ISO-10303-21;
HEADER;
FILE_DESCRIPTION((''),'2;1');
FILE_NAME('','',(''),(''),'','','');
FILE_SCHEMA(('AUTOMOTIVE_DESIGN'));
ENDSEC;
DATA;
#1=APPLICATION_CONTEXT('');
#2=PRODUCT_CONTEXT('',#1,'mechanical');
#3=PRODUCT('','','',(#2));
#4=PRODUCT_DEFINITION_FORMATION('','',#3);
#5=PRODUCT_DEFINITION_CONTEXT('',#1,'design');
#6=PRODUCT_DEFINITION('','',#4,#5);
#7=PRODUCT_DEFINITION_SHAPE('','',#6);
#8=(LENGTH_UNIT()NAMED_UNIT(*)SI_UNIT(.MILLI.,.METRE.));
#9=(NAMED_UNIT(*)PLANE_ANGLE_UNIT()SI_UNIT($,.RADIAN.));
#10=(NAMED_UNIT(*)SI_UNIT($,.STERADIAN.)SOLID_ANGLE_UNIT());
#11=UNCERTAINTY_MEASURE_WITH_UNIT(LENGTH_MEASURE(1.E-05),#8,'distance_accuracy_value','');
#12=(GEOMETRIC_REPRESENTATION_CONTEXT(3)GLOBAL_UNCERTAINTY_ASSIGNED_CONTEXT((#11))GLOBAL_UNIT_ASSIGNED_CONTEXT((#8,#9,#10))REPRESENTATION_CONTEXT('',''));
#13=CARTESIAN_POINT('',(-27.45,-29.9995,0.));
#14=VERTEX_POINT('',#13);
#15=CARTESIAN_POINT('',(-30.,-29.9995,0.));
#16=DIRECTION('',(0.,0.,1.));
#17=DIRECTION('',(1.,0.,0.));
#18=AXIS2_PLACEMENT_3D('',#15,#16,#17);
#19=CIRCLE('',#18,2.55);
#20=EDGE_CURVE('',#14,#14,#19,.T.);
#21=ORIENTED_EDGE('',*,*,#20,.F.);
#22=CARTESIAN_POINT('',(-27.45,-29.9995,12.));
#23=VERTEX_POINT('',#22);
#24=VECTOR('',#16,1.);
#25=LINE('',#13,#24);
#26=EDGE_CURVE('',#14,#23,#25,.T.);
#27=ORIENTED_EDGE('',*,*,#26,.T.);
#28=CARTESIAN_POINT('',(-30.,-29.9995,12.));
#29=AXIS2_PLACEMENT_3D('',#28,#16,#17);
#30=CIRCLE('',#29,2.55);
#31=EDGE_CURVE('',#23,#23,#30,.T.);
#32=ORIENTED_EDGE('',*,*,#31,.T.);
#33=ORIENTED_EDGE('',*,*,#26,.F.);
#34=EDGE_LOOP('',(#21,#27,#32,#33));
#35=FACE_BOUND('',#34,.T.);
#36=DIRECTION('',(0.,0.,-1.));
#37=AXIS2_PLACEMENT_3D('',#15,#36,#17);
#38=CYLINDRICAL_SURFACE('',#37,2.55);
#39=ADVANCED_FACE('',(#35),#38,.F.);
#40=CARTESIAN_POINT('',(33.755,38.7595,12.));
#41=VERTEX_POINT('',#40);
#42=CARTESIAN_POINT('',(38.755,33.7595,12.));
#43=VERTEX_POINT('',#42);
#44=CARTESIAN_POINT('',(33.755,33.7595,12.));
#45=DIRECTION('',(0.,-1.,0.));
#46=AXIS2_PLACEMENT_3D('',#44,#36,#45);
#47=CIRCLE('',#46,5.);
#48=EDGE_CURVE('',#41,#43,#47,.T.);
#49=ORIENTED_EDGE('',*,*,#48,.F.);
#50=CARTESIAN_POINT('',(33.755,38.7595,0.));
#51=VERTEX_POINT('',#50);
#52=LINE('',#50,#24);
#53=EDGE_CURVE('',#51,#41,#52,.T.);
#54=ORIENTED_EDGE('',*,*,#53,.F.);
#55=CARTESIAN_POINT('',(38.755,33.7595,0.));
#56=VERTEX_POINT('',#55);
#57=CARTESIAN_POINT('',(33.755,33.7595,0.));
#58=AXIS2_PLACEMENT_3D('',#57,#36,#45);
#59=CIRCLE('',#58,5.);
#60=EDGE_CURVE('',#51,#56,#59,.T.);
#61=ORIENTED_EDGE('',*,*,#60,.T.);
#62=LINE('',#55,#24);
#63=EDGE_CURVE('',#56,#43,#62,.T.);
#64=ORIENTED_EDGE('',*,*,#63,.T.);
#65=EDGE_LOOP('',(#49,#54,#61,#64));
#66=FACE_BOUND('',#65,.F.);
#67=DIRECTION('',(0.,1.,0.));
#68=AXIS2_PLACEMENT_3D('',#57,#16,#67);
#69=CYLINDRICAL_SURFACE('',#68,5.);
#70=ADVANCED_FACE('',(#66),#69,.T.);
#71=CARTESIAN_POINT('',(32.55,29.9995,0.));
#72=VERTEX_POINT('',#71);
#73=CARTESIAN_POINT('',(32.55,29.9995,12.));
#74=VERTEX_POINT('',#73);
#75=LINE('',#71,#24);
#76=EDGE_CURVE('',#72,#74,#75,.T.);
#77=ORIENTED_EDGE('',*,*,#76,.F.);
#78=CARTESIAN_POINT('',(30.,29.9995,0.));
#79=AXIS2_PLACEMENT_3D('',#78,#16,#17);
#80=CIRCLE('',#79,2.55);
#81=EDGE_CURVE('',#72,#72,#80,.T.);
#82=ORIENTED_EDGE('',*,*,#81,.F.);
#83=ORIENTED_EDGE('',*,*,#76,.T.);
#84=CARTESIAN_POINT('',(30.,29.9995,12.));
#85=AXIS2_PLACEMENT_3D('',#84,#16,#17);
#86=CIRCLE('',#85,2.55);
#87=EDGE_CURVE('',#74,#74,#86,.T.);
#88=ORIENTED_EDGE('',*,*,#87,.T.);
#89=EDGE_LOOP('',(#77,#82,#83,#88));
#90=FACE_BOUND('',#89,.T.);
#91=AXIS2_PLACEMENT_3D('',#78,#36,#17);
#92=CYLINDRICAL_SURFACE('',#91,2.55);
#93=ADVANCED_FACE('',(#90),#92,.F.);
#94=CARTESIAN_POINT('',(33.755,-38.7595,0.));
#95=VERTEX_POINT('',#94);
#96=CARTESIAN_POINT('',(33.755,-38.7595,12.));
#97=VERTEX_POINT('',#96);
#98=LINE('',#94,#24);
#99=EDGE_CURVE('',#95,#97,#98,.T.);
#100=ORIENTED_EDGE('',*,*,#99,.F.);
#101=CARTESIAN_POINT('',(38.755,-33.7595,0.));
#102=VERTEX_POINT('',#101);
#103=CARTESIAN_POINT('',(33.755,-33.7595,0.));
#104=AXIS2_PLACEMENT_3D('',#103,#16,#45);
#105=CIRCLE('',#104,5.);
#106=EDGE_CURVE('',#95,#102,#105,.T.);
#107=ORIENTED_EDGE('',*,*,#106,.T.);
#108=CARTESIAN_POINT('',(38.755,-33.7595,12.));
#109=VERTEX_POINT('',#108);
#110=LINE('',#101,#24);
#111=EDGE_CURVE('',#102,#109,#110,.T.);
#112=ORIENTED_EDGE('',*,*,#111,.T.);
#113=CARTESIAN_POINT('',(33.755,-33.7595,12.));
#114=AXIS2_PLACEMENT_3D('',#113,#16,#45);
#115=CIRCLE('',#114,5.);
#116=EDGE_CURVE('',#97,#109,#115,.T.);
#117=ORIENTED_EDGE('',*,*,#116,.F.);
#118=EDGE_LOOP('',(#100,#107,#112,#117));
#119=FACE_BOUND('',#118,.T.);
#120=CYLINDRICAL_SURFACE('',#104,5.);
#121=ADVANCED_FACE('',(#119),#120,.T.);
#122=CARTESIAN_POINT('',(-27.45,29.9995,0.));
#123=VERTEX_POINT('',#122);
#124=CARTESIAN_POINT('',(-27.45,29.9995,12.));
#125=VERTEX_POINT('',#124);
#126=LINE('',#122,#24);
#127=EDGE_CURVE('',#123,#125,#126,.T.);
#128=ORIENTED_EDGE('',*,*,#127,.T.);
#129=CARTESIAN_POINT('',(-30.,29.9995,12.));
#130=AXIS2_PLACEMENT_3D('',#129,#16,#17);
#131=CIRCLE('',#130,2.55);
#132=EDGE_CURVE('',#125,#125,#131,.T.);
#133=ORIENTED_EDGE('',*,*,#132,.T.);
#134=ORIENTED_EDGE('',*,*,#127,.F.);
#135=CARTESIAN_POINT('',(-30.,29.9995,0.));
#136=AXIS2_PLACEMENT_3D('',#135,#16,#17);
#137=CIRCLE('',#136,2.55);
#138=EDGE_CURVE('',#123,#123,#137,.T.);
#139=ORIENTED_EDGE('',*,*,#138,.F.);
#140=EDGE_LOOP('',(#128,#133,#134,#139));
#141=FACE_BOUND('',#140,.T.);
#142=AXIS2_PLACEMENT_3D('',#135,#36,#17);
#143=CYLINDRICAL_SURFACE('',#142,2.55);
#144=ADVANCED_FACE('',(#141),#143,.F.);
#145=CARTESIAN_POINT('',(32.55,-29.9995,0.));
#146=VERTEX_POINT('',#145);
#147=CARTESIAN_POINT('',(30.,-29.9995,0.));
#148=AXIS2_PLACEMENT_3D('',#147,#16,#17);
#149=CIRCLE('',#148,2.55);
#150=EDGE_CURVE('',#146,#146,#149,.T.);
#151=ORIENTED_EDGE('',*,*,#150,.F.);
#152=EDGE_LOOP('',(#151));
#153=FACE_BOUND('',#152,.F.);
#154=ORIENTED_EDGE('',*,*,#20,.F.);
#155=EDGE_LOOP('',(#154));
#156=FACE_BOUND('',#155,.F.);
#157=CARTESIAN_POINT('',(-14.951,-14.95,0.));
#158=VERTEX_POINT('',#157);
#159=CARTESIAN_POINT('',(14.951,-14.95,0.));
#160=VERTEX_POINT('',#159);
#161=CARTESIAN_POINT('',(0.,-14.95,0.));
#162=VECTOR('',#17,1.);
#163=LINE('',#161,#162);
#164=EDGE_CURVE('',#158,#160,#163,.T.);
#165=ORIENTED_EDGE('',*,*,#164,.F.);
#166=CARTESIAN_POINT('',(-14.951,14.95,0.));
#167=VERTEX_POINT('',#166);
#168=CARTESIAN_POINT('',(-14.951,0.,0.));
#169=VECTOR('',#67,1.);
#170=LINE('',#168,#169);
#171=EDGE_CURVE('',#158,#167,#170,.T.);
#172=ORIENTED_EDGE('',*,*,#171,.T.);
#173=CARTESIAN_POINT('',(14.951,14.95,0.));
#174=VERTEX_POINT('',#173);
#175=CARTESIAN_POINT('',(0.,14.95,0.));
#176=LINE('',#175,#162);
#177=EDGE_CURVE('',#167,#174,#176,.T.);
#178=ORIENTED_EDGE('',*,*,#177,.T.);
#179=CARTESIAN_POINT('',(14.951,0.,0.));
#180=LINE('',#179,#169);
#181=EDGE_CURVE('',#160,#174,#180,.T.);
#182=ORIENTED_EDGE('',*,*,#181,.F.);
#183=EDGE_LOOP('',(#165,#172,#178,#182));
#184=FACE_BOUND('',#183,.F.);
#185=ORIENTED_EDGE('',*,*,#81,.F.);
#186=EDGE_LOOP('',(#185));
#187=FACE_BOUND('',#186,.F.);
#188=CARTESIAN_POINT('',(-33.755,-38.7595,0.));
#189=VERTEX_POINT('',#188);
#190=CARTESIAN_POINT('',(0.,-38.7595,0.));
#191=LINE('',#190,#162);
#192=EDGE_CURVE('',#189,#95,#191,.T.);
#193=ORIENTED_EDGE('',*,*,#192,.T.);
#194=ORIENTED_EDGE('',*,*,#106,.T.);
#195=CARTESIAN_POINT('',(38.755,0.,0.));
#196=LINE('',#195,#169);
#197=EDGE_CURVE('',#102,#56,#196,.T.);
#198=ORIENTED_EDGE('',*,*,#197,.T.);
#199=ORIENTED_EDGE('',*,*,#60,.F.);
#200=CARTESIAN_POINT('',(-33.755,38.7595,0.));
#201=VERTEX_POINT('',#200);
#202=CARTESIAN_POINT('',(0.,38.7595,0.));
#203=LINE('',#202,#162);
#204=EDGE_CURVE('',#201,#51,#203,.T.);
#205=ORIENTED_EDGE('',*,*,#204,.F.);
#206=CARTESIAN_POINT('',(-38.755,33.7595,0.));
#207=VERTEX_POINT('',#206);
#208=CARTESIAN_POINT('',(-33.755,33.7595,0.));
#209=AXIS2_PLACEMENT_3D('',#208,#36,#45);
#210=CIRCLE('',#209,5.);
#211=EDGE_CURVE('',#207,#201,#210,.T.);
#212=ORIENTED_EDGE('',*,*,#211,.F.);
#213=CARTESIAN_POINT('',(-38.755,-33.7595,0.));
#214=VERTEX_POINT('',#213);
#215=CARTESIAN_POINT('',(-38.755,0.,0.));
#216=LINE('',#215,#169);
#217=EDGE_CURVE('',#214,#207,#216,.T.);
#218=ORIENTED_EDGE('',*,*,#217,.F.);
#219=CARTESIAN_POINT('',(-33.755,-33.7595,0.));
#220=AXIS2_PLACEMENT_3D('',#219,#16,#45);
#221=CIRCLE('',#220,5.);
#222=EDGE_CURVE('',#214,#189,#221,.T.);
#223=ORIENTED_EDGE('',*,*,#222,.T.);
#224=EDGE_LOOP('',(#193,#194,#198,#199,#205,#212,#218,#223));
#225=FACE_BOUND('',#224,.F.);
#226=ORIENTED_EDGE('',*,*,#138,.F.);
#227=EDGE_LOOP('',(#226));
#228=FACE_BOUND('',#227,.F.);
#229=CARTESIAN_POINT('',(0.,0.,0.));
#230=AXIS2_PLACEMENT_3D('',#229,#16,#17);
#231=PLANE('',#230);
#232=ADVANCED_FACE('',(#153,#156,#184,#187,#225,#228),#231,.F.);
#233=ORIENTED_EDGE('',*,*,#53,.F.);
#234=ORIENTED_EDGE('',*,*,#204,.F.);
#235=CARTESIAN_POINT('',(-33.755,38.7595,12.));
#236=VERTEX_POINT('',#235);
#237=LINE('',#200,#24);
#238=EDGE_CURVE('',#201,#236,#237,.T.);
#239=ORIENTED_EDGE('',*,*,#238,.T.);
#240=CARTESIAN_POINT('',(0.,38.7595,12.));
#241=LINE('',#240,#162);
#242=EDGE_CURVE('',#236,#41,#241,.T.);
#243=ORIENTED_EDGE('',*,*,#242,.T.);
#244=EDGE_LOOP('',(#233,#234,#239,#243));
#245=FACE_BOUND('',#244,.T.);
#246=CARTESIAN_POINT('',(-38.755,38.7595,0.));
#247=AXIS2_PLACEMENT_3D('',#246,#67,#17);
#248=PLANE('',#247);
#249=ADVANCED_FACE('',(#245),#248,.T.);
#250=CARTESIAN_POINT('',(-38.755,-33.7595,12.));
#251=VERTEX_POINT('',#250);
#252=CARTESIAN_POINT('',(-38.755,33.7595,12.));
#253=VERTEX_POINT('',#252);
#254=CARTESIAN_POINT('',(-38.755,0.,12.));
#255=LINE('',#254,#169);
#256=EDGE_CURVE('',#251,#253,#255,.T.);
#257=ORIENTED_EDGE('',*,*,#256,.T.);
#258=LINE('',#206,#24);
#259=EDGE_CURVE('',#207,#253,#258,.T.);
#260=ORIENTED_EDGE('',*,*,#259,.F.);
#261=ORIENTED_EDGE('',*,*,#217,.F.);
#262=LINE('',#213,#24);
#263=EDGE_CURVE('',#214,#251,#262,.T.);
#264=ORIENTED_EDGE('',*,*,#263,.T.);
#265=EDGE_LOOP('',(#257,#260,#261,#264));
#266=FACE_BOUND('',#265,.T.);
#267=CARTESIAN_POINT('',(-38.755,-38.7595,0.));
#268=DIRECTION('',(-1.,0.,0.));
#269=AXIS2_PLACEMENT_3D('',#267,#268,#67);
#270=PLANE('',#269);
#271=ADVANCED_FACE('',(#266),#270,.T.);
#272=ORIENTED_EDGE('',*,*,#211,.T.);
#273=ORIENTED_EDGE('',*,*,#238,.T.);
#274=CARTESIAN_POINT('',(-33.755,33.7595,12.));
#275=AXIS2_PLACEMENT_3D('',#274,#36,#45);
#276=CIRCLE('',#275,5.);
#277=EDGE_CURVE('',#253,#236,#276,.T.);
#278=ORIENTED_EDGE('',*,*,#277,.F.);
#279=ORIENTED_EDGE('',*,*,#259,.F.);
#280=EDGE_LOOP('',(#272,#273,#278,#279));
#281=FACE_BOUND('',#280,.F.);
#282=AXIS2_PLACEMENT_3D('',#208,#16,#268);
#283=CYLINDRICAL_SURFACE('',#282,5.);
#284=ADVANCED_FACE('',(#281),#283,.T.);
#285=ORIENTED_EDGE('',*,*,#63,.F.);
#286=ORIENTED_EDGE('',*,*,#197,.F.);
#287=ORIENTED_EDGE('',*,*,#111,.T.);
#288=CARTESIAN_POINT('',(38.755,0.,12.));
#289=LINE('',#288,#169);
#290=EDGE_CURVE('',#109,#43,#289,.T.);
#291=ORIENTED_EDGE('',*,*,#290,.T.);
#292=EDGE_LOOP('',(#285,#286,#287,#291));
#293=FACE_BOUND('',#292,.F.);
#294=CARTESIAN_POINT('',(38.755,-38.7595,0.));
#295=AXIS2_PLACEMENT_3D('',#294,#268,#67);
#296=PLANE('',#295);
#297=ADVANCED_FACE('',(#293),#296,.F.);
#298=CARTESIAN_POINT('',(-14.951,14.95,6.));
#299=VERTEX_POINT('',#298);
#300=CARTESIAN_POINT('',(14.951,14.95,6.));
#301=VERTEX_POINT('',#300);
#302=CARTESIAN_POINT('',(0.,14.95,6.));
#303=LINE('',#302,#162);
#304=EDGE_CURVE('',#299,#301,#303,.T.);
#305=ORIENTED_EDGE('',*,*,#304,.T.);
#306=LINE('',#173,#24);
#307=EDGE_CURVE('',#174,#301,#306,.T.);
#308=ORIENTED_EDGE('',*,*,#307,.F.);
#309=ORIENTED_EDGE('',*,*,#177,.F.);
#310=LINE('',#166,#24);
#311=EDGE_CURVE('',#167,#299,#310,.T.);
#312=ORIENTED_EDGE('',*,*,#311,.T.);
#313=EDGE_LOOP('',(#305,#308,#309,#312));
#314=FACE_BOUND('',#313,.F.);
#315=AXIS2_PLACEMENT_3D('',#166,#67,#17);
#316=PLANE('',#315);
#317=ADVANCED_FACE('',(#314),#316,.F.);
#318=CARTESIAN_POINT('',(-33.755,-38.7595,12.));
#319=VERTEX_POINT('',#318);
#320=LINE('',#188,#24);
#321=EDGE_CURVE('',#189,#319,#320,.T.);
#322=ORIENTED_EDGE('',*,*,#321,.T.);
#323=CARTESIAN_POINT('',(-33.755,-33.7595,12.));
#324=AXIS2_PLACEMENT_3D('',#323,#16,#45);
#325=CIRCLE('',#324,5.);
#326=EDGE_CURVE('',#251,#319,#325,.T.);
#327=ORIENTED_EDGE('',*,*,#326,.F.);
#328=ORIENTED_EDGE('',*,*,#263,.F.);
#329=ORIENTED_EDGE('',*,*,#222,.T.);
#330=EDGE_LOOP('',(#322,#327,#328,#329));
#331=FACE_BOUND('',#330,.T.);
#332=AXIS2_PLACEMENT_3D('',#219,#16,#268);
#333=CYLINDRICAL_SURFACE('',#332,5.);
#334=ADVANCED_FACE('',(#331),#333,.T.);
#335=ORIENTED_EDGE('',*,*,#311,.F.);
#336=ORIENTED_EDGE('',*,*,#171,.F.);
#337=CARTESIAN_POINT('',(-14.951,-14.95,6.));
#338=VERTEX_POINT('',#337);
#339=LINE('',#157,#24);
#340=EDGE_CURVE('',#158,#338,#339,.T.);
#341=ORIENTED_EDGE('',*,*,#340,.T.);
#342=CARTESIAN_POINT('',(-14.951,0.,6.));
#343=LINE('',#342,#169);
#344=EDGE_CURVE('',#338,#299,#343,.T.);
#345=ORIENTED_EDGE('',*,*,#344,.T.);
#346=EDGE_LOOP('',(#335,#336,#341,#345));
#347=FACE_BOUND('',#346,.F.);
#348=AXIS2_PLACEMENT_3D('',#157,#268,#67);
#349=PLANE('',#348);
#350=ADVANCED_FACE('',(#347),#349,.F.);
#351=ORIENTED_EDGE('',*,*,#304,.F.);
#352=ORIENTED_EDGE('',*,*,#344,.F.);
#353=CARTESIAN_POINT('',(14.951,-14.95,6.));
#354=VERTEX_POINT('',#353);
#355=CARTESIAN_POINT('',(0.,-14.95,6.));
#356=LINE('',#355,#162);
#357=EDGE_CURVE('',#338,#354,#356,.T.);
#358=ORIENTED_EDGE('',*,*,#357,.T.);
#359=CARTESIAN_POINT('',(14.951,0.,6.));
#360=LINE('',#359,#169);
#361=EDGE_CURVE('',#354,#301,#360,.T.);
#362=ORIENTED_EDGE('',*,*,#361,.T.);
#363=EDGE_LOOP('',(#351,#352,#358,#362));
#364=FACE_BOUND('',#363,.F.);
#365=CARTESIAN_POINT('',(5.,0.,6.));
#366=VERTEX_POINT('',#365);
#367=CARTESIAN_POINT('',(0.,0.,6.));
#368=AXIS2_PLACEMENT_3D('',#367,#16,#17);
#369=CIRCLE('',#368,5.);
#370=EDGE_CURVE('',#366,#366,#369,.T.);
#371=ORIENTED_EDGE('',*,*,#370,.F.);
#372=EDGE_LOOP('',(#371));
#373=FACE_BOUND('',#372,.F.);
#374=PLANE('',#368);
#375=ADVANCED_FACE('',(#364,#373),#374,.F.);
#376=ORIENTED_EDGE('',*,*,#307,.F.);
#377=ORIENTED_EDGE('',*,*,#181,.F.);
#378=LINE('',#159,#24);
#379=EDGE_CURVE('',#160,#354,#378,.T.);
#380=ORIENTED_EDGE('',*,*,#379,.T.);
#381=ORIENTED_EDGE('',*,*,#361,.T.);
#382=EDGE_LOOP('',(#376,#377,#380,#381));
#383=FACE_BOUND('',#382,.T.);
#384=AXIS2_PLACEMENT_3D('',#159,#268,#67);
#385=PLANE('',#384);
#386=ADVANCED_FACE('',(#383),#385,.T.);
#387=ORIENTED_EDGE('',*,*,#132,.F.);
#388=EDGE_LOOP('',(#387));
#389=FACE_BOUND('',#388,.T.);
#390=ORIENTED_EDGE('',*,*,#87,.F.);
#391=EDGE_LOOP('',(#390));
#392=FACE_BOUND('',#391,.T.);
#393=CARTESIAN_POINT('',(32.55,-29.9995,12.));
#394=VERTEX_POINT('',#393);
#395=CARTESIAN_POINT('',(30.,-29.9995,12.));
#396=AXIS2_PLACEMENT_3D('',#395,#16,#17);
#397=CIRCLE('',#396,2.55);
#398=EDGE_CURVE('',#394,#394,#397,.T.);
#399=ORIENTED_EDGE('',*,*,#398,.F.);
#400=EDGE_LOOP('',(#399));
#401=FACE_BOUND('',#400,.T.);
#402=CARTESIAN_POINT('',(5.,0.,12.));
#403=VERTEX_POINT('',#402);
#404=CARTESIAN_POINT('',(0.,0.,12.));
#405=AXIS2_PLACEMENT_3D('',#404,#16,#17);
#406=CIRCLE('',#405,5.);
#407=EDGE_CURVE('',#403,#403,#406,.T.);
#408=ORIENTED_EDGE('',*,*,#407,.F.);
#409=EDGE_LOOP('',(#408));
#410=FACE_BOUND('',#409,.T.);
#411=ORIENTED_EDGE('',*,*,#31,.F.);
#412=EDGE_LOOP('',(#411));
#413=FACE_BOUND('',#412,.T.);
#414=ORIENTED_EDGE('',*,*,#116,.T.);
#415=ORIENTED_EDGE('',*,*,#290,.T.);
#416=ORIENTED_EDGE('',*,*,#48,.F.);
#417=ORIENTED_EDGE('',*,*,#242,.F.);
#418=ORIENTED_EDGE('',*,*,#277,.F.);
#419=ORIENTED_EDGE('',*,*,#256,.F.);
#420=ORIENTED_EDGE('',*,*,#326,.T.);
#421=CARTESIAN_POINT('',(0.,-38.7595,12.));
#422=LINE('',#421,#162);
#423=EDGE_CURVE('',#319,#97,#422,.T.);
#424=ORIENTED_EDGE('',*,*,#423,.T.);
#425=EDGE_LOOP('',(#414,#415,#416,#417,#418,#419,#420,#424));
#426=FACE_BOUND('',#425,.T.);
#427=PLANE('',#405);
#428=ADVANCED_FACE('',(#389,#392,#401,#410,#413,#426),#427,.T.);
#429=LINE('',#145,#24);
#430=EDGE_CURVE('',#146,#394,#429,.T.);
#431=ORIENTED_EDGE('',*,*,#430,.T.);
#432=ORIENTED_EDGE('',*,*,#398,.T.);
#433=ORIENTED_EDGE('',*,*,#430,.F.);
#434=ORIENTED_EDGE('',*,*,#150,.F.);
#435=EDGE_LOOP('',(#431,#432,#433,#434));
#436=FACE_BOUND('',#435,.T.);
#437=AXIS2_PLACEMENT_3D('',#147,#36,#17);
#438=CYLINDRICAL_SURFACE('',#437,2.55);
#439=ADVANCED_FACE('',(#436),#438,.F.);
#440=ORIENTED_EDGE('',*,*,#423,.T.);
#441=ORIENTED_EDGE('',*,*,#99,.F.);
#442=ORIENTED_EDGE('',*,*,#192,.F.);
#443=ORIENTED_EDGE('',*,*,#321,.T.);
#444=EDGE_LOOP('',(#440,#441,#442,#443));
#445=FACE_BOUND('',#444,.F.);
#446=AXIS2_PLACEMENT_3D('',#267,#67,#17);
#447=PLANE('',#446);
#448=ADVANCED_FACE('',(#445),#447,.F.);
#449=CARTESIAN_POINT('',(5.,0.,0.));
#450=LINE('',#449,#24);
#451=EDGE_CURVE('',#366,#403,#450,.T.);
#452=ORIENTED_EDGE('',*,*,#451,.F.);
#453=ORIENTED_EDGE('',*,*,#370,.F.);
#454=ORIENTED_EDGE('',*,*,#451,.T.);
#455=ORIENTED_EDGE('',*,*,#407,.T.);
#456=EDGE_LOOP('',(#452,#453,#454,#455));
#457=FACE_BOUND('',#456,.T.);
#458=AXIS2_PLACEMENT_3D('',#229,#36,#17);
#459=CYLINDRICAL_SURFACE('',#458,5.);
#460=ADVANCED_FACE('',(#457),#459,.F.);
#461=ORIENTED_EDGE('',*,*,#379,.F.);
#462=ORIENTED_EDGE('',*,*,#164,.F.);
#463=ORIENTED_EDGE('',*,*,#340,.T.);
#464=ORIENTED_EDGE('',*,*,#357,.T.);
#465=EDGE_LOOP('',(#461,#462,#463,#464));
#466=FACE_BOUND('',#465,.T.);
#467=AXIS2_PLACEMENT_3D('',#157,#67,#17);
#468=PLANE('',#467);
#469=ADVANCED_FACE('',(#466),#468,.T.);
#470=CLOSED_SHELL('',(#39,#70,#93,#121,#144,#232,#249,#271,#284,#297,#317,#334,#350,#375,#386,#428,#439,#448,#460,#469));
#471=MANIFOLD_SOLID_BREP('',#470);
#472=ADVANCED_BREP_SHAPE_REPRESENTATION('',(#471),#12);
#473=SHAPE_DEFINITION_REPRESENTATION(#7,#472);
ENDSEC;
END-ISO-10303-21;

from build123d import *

# Parameters (mm, degrees)
F0_W     = 77.51
F0_H     = 77.519
F0_R     = 2.55
F0_W_2   = 29.902
F0_H_2   = 29.9
F0_R_2   = 5
F1_DEPTH = 12
F2_DEPTH = 6
F3_R     = 5


with BuildPart() as f1:
    # F0 (on Top) → F1 (new body)
    with BuildSketch(Plane.XY):
        Rectangle(F0_W, F0_H)
        with Locations((-30, -29.9995)):
            Circle(F0_R, mode=Mode.SUBTRACT)
        with Locations((30, -29.9995)):
            Circle(F0_R, mode=Mode.SUBTRACT)
        with Locations((-30, 29.9995)):
            Circle(F0_R, mode=Mode.SUBTRACT)
        Rectangle(F0_W_2, F0_H_2, mode=Mode.SUBTRACT)
        with Locations((30, 29.9995)):
            Circle(F0_R, mode=Mode.SUBTRACT)
        Rectangle(F0_W_2, F0_H_2)
        Circle(F0_R_2, mode=Mode.SUBTRACT)
    extrude(amount=F1_DEPTH)

    # F0 (on Top) → F2 (cut)
    with BuildSketch(Plane.XY):
        Rectangle(F0_W_2, F0_H_2)
        Circle(F0_R_2, mode=Mode.SUBTRACT)
    extrude(amount=F2_DEPTH, mode=Mode.SUBTRACT)

    # F3
    f3_edges = [f1.edges().sort_by_distance(p)[0] for p in [
        (38.755, -38.7595, 6),
        (-38.755, -38.7595, 6),
        (38.755, 38.7595, 6),
        (-38.755, 38.7595, 6),
    ]]
    fillet(f3_edges, radius=F3_R)


solid = f1.part
